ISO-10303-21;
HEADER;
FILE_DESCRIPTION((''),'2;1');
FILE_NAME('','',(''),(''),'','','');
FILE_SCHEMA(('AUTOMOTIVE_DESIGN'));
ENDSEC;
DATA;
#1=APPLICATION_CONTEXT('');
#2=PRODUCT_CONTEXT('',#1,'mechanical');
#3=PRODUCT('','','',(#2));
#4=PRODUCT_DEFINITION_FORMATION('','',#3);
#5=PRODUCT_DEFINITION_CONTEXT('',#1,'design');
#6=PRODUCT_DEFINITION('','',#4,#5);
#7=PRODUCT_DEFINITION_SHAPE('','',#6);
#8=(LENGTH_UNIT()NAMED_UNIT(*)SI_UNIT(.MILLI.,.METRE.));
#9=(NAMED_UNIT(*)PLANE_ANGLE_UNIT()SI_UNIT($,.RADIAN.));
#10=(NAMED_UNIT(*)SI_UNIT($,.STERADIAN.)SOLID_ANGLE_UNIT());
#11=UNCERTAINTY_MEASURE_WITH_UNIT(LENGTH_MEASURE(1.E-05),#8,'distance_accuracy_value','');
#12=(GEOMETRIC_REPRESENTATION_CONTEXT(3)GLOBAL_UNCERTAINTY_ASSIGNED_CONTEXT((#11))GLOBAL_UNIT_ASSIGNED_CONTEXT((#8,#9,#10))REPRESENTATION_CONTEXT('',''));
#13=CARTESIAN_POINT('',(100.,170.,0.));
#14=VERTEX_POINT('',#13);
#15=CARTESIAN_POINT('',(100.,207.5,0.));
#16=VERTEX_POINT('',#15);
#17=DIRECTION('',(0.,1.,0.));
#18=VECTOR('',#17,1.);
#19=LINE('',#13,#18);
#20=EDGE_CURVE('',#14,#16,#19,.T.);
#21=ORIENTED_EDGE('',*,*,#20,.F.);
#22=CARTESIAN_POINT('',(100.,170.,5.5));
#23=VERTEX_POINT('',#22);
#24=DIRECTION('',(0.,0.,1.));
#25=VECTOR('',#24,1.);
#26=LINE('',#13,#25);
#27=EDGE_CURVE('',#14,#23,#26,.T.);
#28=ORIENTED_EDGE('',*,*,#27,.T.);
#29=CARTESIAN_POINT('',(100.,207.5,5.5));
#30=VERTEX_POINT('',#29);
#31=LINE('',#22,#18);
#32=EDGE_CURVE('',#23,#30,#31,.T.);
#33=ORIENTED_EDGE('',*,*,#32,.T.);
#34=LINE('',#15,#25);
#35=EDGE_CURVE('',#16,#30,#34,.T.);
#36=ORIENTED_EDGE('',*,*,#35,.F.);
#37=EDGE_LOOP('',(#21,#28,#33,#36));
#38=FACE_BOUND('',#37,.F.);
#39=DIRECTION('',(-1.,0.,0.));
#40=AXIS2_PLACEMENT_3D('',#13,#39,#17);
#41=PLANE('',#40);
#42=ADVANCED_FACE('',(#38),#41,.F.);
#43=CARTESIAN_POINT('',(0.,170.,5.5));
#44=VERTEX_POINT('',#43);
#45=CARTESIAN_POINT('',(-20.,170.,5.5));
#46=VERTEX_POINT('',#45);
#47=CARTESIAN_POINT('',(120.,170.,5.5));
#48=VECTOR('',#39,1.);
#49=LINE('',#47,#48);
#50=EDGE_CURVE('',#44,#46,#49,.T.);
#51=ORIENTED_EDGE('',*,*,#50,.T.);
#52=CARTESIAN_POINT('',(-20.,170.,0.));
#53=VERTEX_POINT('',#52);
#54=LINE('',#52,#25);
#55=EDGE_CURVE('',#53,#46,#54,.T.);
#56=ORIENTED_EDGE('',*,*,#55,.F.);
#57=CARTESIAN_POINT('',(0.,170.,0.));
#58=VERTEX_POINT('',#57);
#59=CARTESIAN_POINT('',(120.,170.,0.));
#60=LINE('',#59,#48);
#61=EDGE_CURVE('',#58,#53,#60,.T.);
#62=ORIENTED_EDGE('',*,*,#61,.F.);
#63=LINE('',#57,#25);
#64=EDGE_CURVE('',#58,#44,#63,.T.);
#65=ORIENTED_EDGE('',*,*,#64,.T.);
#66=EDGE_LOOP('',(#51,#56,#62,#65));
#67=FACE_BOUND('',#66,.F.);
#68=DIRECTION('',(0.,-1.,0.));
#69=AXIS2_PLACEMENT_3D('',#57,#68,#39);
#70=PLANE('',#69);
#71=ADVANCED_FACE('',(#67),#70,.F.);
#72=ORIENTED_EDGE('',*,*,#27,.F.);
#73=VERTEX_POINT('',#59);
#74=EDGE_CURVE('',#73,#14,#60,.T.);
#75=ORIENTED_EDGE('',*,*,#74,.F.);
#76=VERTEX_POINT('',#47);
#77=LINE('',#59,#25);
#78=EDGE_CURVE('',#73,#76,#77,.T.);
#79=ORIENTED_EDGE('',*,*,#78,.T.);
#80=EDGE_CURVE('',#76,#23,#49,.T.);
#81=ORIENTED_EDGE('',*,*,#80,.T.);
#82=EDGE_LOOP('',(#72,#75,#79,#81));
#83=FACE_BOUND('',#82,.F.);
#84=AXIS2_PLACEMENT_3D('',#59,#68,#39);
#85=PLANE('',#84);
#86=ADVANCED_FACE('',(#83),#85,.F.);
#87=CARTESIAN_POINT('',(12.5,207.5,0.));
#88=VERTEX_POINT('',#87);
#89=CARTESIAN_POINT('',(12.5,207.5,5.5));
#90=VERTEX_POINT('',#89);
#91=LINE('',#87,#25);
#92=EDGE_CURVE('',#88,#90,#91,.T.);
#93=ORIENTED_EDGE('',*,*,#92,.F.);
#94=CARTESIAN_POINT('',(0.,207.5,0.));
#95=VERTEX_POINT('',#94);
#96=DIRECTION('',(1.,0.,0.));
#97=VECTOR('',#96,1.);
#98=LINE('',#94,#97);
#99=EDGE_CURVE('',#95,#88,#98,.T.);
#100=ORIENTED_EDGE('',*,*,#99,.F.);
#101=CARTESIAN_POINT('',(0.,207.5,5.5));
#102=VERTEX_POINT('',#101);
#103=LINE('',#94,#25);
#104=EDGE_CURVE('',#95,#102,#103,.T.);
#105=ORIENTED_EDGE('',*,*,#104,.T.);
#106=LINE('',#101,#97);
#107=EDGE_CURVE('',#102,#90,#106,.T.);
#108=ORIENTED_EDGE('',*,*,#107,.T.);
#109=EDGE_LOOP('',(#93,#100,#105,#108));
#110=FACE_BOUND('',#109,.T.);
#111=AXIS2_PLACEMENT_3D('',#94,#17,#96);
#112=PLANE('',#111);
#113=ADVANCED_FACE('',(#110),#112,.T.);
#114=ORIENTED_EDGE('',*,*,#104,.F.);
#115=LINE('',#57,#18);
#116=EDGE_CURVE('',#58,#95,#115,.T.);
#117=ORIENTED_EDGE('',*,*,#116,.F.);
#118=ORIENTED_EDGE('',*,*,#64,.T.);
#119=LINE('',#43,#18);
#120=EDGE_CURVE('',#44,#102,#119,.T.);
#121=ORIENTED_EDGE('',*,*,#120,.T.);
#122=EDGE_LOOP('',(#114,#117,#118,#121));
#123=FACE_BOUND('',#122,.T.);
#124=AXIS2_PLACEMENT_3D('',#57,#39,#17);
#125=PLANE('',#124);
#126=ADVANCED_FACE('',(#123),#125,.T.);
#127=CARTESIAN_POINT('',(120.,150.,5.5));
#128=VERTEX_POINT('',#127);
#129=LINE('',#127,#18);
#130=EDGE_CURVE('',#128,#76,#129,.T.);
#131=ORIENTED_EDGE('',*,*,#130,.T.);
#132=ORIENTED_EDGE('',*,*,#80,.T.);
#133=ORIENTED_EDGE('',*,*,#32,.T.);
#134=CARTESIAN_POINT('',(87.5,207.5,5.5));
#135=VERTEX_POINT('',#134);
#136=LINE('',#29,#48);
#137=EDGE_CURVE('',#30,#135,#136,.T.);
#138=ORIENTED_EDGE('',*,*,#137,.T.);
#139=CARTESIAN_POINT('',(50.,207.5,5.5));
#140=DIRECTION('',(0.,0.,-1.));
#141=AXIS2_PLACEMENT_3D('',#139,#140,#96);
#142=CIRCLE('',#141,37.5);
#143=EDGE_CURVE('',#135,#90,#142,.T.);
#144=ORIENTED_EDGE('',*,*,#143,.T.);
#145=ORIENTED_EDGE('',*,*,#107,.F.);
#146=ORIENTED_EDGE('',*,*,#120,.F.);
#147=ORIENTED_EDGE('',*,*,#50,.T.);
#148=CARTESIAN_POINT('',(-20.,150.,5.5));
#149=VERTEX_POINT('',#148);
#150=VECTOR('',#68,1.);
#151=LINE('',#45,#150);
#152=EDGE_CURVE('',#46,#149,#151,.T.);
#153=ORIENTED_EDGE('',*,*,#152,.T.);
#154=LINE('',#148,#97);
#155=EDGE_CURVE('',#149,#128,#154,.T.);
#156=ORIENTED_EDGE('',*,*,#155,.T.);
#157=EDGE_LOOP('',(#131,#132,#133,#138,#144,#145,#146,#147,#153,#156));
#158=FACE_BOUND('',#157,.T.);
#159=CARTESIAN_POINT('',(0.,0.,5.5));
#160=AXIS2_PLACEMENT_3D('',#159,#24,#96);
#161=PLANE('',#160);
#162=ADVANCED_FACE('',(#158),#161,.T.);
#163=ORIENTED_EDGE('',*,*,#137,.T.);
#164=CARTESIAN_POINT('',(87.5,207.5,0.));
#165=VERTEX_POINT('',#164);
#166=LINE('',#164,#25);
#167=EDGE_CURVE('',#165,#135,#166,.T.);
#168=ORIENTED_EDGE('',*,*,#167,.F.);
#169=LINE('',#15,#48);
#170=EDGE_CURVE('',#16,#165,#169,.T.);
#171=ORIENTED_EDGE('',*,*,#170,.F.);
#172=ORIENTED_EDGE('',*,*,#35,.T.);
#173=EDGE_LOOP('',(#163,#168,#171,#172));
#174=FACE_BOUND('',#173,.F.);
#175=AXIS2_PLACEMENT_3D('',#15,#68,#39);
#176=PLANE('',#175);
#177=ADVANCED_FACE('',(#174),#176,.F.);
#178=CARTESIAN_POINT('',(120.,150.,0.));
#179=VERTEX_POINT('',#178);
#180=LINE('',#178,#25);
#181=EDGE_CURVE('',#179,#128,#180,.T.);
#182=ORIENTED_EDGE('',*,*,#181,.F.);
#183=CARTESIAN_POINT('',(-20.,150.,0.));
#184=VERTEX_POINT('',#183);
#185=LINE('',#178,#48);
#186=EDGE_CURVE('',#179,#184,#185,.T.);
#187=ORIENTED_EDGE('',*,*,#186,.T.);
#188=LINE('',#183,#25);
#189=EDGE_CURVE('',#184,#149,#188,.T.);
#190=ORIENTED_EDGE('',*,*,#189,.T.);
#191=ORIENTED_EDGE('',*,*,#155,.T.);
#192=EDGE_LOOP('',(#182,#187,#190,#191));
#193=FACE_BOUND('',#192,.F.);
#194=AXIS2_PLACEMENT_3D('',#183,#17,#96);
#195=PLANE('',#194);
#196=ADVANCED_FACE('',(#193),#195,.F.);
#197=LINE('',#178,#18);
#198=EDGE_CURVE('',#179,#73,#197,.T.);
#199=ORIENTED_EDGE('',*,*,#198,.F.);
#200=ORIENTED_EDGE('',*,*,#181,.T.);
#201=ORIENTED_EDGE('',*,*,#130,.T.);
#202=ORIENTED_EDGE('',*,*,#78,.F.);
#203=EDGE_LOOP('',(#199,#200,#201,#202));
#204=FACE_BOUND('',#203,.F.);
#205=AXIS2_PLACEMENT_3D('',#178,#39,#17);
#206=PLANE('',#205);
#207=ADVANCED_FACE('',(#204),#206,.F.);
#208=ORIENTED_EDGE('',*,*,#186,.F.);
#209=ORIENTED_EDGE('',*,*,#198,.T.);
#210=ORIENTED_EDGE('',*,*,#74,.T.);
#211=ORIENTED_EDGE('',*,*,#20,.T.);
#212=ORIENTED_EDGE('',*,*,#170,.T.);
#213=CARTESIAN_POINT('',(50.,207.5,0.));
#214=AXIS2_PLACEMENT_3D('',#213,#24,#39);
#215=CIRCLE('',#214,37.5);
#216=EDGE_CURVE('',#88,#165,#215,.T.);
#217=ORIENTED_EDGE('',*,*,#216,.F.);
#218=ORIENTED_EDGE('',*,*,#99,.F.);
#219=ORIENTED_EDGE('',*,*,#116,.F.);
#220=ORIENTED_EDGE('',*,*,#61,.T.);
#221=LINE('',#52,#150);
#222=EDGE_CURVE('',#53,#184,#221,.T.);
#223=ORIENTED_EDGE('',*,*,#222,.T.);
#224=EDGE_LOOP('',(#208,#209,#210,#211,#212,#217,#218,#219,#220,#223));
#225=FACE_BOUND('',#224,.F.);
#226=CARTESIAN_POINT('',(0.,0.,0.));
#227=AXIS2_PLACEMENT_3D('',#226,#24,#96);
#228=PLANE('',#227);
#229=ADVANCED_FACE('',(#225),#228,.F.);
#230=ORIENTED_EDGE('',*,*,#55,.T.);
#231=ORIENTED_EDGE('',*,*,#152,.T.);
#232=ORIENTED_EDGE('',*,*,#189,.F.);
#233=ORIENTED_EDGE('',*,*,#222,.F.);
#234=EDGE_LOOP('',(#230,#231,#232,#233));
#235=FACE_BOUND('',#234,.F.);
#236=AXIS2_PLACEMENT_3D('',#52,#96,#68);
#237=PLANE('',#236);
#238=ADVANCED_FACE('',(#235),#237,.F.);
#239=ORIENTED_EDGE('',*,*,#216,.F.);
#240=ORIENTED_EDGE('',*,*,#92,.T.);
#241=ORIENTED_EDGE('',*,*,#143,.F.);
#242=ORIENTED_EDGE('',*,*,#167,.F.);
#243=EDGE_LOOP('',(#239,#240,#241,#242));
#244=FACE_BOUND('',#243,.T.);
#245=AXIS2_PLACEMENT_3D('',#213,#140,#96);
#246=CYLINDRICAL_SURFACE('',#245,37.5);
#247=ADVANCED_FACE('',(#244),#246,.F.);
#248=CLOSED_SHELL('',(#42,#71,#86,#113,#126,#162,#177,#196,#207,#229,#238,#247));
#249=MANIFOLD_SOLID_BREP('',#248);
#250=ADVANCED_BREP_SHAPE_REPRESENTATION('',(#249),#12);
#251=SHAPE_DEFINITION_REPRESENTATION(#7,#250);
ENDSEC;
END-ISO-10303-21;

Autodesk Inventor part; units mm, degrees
ref_plane "YZ Plane" through (0, 0, 0) normal (1, 0, 0) x (0, 1, 0)
ref_plane "XZ Plane" through (0, 0, 0) normal (0, 1, 0) x (-1, 0, 0)
ref_plane "XY Plane" through (0, 0, 0) normal (0, 0, 1) x (1, 0, 0)
sketch "Sketch1" plane through (0, 0, 0) normal (0, 0, 1) x (1, 0, 0)
  line L0 (0, 170) -> (100, 170)
  circle A0 centre (50, 207.5) radius 37.5
  line L1 (100, 150) -> (0, 150)
  line L2 (120, 170) -> (-20, 170)
  line L3 (100, 170) -> (100, 207.5)
  line L4 (100, 207.5) -> (87.5, 207.5)
  line L5 (0, 170) -> (0, 207.5)
  line L6 (0, 207.5) -> (12.5, 207.5)
  line L7 (-20, 170) -> (-20, 150)
  line L8 (-20, 150) -> (0, 150)
  line L9 (100, 150) -> (120, 150)
  line L10 (120, 150) -> (120, 170)
  point P0 (0, 0)
  dimension "d0" = 75
  dimension "d1" = 140
extrude "Extrusion1" add sketch "Sketch1" along normal blind 5.5 contours L5 L6 A0 L0 | L0 L2 L10 L9 L1 L8 L7 | A0 L4 L3 L0
properties part number "anillo5"
